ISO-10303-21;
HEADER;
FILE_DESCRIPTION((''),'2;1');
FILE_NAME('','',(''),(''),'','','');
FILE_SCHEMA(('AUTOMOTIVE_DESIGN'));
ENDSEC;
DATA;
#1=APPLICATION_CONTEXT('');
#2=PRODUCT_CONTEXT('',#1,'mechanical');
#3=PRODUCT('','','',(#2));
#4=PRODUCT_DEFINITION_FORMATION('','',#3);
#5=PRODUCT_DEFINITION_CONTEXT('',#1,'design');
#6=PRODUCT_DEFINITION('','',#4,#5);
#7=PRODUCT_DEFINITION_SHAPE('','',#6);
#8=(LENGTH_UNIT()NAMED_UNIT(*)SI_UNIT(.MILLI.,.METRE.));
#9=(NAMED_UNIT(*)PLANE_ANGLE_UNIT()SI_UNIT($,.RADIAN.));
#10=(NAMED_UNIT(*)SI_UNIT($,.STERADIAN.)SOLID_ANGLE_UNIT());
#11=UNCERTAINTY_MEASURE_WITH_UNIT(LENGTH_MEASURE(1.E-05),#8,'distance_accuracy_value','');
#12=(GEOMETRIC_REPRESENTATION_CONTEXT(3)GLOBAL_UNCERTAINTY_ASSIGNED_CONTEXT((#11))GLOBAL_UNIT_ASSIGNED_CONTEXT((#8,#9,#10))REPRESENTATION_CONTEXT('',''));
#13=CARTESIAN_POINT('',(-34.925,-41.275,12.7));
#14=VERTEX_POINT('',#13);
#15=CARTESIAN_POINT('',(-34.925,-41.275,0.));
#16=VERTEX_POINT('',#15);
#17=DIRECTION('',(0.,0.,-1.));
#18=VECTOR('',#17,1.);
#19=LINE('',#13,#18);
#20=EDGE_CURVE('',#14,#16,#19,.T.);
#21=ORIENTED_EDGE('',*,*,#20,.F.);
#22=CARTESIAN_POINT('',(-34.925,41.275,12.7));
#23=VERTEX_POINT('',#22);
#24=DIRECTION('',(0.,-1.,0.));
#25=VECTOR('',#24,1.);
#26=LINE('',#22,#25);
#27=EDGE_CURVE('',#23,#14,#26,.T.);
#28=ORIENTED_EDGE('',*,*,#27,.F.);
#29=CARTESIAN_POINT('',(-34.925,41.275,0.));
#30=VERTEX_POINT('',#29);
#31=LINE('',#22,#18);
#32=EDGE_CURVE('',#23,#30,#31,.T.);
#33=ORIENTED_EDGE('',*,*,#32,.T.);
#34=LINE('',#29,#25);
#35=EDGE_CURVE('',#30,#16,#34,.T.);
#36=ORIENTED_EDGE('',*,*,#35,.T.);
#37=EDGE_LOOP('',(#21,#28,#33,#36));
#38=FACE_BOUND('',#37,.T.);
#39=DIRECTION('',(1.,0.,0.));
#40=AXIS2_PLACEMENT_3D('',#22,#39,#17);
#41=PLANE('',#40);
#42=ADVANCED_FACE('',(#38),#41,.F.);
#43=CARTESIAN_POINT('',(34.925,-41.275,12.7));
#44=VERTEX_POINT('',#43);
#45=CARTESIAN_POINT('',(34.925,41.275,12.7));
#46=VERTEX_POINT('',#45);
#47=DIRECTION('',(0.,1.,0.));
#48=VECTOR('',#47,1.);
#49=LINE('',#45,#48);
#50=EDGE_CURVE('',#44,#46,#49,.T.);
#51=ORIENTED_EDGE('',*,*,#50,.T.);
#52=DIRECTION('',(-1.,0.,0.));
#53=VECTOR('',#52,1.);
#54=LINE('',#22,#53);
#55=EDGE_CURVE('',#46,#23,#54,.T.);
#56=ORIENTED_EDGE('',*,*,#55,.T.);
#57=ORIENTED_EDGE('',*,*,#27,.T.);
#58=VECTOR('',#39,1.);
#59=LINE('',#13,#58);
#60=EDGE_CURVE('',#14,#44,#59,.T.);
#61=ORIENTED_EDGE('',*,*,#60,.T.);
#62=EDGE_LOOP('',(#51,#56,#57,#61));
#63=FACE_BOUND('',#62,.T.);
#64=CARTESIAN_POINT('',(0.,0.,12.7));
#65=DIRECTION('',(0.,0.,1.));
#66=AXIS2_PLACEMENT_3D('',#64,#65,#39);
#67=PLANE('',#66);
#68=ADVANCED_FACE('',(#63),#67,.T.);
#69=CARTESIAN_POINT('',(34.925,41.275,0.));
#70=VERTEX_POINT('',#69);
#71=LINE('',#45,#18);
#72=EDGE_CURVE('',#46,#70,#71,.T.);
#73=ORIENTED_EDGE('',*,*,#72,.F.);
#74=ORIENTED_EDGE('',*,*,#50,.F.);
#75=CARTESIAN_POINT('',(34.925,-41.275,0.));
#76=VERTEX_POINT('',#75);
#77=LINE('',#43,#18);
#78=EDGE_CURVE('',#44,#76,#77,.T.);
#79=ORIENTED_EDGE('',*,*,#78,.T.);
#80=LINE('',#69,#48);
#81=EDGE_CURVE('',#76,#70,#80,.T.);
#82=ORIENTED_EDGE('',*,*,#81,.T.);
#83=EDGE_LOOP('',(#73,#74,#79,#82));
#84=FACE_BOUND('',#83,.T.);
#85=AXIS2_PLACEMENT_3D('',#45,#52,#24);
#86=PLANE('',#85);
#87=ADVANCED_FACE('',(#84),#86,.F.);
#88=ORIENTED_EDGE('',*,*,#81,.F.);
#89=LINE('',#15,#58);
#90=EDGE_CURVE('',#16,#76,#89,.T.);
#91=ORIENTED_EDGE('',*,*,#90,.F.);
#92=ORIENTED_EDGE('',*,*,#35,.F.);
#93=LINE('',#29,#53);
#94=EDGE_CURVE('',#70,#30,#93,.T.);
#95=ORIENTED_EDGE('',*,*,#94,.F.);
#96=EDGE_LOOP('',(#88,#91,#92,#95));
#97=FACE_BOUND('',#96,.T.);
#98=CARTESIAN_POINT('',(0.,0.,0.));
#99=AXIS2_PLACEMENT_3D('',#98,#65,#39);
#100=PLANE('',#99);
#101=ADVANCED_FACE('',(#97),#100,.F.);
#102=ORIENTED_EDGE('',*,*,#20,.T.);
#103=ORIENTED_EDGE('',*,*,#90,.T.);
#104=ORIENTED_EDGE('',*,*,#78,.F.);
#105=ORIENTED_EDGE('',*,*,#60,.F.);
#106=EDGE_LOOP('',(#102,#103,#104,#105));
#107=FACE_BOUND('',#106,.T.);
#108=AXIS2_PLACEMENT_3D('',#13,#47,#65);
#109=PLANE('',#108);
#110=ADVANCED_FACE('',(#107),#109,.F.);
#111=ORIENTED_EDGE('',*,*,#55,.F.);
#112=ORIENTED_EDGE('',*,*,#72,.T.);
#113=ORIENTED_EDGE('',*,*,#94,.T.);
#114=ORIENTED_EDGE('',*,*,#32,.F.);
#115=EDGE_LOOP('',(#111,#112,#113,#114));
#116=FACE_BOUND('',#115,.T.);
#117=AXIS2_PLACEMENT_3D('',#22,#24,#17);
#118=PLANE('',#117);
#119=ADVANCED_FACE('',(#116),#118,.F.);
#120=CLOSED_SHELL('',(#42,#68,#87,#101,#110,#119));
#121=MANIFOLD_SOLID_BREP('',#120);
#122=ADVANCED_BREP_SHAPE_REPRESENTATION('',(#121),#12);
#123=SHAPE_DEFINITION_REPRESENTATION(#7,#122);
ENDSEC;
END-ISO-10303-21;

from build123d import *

# Parameters (mm, degrees)
ESQUISSE1_W        = 69.85
ESQUISSE1_H        = 82.55
BOSS_EXTRU_1_DEPTH = 12.7


with BuildPart() as part:
    # Esquisse1 → Boss.-Extru.1 (new body)
    with BuildSketch(Plane.XY):
        Rectangle(ESQUISSE1_W, ESQUISSE1_H)
    extrude(amount=BOSS_EXTRU_1_DEPTH)


solid = part.part
